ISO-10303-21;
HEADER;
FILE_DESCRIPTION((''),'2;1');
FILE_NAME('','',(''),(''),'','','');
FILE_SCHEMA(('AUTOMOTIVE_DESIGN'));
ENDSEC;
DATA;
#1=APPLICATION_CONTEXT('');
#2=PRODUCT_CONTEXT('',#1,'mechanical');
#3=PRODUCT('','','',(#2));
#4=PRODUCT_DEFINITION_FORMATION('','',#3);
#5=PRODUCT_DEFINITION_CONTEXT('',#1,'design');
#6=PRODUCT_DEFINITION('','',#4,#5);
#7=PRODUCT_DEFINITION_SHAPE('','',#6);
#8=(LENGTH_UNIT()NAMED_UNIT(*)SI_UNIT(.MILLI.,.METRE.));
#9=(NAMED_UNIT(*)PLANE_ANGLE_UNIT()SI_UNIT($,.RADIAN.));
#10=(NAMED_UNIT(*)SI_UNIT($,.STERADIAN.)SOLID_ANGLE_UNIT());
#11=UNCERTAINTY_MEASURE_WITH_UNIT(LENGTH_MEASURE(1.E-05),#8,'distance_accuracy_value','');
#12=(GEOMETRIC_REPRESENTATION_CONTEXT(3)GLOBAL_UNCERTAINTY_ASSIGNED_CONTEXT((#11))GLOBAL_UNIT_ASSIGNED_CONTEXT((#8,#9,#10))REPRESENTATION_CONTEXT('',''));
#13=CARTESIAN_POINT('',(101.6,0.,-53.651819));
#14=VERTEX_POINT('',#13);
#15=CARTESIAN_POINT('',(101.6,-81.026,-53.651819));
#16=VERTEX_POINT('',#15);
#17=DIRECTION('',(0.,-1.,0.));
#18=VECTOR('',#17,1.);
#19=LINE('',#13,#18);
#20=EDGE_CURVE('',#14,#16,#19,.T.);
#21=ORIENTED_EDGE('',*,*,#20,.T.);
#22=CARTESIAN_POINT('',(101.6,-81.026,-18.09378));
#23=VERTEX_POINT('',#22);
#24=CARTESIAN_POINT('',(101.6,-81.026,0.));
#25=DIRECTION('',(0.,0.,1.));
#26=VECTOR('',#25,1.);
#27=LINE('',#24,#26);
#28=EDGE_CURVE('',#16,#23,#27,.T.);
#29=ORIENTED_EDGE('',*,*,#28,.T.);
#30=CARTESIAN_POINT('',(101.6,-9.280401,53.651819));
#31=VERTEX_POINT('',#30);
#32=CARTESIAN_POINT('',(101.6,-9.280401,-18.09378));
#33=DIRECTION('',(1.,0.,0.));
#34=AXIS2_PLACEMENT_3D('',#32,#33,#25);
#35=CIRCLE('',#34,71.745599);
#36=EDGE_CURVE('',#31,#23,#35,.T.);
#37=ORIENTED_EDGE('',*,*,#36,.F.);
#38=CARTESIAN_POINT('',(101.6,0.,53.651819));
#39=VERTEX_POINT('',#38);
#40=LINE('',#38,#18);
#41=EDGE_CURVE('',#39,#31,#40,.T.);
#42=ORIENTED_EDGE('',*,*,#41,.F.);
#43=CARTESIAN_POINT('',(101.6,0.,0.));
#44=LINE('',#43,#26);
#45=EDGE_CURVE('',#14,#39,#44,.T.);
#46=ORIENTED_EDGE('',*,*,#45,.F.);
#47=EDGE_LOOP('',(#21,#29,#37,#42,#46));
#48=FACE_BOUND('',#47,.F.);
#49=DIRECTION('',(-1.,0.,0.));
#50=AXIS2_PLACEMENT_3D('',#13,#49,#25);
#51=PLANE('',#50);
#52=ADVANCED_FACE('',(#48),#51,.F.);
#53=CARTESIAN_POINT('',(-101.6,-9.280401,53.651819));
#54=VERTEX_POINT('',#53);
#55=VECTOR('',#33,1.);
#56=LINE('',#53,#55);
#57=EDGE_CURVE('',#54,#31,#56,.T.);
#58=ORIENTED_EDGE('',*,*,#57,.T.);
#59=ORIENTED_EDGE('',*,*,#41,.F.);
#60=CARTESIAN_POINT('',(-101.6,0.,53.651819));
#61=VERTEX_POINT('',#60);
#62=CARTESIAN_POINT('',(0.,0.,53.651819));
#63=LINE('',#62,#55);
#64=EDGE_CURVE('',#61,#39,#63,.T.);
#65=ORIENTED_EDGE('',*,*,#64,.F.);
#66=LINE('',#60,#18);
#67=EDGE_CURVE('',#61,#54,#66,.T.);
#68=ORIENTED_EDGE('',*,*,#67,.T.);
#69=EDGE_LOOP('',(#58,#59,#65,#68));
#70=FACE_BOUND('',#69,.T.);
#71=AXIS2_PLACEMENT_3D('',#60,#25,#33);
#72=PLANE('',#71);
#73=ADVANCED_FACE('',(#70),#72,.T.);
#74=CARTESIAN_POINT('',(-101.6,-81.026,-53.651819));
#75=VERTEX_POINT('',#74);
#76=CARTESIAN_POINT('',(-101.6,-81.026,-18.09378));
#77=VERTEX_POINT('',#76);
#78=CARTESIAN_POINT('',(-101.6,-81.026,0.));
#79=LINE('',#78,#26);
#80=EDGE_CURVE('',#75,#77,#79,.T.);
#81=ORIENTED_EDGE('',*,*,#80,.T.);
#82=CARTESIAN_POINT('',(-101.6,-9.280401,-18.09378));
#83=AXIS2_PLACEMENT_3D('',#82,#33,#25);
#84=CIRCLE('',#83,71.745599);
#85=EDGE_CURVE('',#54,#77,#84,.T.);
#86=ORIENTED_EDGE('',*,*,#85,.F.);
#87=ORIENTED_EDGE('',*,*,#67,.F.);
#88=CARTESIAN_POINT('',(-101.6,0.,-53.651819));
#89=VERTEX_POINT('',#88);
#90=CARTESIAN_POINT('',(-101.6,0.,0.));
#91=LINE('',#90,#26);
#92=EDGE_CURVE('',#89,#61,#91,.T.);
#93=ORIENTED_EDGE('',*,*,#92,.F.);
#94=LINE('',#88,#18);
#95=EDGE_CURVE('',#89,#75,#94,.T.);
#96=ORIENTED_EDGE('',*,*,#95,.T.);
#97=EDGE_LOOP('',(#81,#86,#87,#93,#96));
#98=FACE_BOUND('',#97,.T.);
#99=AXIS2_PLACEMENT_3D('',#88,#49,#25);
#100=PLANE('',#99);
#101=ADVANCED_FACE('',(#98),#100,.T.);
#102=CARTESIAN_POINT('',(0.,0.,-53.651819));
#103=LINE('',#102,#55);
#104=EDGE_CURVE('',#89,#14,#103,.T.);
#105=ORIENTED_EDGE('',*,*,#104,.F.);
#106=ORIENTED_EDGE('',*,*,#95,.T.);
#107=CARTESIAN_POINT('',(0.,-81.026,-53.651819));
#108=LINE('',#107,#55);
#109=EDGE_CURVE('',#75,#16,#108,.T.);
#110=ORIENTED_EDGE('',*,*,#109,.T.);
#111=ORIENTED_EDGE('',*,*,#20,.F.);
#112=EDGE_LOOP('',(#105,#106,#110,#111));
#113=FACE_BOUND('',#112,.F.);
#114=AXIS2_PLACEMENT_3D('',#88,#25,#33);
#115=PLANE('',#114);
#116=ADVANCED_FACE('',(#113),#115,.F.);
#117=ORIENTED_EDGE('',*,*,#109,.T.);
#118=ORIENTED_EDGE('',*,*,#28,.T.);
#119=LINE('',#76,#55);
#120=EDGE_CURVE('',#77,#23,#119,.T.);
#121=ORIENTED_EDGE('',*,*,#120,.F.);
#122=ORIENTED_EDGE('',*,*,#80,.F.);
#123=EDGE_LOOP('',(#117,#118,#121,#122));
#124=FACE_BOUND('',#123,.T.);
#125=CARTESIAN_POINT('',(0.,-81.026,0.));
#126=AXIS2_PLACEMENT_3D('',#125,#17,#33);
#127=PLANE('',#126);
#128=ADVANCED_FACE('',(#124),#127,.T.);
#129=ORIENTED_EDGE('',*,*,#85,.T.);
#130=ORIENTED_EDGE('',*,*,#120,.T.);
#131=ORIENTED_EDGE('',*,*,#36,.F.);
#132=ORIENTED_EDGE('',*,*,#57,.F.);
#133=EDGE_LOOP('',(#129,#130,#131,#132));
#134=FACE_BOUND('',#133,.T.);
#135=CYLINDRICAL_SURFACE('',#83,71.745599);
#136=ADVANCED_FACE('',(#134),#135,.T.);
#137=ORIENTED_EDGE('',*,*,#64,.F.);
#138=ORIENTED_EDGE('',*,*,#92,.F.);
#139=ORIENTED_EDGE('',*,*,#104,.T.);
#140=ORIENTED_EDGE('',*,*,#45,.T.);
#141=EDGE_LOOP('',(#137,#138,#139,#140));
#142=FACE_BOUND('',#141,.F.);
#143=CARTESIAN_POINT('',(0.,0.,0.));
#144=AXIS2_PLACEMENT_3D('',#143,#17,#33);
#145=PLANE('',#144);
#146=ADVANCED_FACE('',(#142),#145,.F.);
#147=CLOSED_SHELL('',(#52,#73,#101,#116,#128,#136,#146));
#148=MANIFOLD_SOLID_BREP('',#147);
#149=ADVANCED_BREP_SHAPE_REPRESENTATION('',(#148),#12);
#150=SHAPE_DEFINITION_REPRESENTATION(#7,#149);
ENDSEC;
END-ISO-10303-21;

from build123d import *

# Parameters (mm, degrees)
F0_W     = 203.2
F0_H     = 107.303638
F1_DEPTH = 81.026
F2_R     = 71.745599


with BuildPart() as f1:
    # F0 (on Front) → F1 (new body)
    with BuildSketch(Plane.XZ):
        Rectangle(F0_W, F0_H)
    extrude(amount=F1_DEPTH)

    # F2
    f2_edges = [f1.edges().sort_by_distance(p)[0] for p in [
        (0, -81.026, 53.651819),
    ]]
    fillet(f2_edges, radius=F2_R)


solid = f1.part
